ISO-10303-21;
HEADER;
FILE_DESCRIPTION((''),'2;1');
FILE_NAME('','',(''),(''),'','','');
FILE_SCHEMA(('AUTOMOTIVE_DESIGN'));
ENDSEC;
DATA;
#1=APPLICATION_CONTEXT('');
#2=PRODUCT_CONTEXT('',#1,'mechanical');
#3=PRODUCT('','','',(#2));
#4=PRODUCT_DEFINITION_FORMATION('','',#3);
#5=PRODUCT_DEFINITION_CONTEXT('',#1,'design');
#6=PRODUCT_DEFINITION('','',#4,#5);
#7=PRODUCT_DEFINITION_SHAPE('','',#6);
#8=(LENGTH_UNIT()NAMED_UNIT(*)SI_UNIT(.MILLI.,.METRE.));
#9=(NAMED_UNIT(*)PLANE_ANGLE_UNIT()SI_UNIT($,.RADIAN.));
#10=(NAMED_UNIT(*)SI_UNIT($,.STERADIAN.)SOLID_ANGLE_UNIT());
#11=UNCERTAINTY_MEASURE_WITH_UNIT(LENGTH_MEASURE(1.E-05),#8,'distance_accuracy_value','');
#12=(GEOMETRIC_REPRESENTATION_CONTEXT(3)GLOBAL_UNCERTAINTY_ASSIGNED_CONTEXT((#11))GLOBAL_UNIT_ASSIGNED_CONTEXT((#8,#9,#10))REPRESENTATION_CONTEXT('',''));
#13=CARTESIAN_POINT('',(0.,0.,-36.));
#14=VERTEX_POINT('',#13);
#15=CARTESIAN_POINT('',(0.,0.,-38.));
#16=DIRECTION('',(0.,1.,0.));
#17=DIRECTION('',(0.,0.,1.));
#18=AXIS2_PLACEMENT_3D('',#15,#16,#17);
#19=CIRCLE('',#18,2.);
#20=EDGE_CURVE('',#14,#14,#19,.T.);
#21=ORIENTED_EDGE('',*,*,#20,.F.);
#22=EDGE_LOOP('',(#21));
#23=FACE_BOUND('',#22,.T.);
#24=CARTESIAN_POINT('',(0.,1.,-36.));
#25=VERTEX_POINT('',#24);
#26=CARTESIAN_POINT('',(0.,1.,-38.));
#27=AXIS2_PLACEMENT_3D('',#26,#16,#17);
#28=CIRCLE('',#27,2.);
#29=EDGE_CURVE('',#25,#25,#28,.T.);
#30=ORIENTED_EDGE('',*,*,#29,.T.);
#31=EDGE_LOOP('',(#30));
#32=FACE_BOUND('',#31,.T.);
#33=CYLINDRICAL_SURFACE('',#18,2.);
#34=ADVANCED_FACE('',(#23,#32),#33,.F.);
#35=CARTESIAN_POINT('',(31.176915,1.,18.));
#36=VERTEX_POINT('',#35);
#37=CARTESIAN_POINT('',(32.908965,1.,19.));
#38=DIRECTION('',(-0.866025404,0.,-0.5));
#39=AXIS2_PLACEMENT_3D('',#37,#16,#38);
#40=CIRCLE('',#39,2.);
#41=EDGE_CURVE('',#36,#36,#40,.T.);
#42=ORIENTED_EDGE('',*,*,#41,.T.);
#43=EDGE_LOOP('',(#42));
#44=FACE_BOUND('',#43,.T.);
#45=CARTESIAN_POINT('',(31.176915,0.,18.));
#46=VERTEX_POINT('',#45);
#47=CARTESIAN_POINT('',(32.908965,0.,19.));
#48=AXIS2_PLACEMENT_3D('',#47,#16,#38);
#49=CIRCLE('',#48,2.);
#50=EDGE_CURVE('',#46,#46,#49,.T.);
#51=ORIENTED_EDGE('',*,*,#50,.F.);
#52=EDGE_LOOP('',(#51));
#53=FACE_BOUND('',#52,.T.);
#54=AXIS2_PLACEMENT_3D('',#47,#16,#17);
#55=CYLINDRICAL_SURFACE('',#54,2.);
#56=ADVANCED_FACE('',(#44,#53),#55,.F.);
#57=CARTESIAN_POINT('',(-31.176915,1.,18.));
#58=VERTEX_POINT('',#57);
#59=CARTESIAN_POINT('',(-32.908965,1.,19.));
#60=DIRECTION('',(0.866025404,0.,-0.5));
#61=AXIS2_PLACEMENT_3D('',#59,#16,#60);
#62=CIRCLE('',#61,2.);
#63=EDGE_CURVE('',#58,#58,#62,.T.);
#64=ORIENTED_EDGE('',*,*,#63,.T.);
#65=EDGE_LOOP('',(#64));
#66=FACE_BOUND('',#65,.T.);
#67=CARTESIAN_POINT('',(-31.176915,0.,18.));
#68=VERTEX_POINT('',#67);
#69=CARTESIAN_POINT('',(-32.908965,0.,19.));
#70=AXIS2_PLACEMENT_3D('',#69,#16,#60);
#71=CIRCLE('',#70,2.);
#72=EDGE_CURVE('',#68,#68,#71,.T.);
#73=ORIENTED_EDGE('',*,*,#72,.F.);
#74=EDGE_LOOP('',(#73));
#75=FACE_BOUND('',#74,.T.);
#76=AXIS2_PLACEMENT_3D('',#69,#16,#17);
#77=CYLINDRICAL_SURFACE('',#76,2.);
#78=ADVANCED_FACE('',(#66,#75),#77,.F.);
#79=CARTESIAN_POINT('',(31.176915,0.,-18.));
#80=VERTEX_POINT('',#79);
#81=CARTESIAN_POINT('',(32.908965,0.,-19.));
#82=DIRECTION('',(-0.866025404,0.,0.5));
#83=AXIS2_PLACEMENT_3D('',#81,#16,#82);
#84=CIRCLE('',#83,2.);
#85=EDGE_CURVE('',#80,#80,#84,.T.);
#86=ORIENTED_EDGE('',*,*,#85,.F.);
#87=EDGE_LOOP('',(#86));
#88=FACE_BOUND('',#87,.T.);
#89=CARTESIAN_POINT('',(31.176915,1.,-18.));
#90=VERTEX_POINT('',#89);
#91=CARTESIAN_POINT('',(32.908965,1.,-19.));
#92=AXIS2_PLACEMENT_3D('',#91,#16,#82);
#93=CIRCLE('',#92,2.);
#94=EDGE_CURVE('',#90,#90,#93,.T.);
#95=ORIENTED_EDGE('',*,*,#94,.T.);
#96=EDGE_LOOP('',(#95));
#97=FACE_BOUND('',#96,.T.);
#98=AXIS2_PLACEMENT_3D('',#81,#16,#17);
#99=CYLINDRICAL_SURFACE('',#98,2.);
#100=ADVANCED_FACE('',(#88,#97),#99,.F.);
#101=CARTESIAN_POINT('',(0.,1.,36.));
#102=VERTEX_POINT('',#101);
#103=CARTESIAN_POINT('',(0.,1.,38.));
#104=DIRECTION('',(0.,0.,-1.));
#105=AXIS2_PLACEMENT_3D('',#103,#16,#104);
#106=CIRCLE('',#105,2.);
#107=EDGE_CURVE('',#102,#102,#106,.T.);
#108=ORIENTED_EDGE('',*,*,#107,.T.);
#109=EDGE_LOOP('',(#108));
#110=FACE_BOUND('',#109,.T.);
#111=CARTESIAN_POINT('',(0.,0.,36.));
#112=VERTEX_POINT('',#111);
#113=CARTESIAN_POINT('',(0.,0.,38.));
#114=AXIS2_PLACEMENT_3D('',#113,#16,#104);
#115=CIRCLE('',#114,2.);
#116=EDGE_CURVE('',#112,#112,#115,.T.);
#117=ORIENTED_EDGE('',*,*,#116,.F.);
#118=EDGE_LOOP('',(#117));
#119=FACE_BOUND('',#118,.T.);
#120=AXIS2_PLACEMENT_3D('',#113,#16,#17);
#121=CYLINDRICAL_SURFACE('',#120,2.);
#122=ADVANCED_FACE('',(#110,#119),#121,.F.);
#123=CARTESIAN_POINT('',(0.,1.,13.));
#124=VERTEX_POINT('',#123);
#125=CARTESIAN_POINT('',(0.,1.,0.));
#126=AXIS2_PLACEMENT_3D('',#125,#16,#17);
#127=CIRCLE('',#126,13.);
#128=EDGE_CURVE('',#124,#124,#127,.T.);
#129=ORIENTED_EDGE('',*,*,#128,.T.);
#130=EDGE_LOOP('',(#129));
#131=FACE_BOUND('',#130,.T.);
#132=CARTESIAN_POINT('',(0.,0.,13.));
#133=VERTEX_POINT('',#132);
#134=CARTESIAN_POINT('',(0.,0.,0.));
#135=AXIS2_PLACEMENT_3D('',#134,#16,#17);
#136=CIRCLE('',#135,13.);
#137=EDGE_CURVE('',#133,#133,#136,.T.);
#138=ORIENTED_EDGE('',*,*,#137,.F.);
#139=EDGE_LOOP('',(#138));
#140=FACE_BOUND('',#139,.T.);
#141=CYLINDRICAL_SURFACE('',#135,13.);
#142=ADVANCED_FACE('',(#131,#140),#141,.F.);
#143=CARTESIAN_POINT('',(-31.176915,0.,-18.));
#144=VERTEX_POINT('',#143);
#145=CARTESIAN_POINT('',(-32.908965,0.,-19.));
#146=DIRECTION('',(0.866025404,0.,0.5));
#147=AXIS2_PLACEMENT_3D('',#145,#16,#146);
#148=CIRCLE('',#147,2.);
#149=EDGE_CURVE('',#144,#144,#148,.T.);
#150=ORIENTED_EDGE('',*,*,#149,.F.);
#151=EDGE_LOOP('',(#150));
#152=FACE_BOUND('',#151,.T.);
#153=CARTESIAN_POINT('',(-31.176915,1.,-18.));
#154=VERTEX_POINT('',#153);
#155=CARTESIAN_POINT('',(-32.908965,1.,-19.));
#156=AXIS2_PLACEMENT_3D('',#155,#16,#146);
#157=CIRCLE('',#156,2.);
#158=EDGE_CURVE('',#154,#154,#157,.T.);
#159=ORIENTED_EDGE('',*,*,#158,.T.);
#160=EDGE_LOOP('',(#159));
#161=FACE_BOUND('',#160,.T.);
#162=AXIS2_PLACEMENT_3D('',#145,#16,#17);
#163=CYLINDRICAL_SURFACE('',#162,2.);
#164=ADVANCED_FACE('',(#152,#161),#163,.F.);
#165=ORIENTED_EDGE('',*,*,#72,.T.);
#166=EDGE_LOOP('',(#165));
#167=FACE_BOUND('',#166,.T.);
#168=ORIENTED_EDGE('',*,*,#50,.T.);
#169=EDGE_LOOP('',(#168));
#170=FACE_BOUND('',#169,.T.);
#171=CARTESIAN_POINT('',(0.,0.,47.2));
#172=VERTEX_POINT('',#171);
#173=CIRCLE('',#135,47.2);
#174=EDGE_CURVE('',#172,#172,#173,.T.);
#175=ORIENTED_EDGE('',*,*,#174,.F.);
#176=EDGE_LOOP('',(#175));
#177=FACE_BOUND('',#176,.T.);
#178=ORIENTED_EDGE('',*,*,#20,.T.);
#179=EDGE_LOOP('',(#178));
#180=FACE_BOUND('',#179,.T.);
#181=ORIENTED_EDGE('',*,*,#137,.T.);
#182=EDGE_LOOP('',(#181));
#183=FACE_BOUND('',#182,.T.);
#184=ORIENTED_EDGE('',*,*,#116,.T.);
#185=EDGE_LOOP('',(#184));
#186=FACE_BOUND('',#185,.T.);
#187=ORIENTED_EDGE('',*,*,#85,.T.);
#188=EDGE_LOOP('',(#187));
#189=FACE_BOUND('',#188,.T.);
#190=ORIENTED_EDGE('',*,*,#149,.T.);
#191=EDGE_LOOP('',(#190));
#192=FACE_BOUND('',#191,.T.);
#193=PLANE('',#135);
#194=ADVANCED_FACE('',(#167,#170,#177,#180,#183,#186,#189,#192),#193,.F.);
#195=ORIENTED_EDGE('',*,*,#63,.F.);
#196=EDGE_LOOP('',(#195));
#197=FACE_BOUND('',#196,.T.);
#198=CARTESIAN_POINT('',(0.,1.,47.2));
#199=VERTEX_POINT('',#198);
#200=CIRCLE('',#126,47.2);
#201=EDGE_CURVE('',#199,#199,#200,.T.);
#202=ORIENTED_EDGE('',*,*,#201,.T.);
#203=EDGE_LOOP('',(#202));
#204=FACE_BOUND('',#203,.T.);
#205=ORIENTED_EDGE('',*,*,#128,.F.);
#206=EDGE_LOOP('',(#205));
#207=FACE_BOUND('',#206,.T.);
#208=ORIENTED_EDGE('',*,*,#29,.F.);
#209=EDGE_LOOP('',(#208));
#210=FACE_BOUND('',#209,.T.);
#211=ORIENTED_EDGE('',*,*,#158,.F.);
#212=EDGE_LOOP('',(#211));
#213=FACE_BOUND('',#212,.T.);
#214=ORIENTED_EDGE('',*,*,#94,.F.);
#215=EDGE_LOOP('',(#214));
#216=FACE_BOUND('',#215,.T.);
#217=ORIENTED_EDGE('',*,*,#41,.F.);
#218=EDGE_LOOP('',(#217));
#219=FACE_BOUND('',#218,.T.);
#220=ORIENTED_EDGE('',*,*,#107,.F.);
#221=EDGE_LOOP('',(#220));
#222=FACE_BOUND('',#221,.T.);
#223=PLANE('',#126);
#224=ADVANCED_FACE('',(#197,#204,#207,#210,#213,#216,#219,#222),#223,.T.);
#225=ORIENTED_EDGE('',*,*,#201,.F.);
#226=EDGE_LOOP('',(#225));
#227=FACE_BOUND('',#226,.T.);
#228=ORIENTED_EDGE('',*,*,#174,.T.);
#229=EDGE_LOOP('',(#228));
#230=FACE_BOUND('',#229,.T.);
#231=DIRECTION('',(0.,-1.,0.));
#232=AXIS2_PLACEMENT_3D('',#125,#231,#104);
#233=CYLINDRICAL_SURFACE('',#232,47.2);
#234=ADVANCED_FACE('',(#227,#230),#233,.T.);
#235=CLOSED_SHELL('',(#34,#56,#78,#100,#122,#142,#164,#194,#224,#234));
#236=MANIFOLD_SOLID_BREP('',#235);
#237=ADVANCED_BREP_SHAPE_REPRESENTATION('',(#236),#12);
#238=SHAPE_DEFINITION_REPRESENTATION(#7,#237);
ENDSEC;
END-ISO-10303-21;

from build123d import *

# Parameters (mm, degrees)
SKETCH1_R           = 47.2
BOSS_EXTRUDE1_DEPTH = 1
SKETCH2_R           = 13
CUT_EXTRUDE1_DEPTH  = 1
SKETCH4_R           = 2
CUT_EXTRUDE3_DEPTH  = 67.758370262
CIRPATTERN1_COUNT   = 6


with BuildPart() as part:
    # Sketch1 → Boss-Extrude1 (new body)
    with BuildSketch(Plane(origin=(0, 0, 0), x_dir=(1, 0, 0), z_dir=(0, 1, 0))):
        with Locations(Location((0, 0, 0), (0, 0, 270))):
            Circle(SKETCH1_R)
    extrude(amount=BOSS_EXTRUDE1_DEPTH)

    # Sketch2 → Cut-Extrude1 (cut)
    with BuildSketch(Plane(origin=(0, 1, 0), x_dir=(1, 0, 0), z_dir=(0, 1, 0))):
        with Locations(Location((0, 0, 0), (0, 0, 270))):
            Circle(SKETCH2_R)
    extrude(amount=-CUT_EXTRUDE1_DEPTH, mode=Mode.SUBTRACT)

    # Sketch4 → Cut-Extrude3 (cut, through all)
    with BuildSketch(Plane(origin=(0, 1, 0), x_dir=(1, 0, 0), z_dir=(0, 1, 0))):
        with Locations(Location((0, 38, 0), (0, 0, 270))):
            Circle(SKETCH4_R)
    cut_extrude3 = extrude(amount=-CUT_EXTRUDE3_DEPTH, mode=Mode.SUBTRACT)

    # CirPattern1: Cut-Extrude3 ×6 about axis
    cirpattern1_axis = Axis((0, 0, 0), (0, 1, 0))
    for i in range(1, CIRPATTERN1_COUNT):
        add(cut_extrude3.rotate(cirpattern1_axis, i * 360 / CIRPATTERN1_COUNT), mode=Mode.SUBTRACT)


solid = part.part
